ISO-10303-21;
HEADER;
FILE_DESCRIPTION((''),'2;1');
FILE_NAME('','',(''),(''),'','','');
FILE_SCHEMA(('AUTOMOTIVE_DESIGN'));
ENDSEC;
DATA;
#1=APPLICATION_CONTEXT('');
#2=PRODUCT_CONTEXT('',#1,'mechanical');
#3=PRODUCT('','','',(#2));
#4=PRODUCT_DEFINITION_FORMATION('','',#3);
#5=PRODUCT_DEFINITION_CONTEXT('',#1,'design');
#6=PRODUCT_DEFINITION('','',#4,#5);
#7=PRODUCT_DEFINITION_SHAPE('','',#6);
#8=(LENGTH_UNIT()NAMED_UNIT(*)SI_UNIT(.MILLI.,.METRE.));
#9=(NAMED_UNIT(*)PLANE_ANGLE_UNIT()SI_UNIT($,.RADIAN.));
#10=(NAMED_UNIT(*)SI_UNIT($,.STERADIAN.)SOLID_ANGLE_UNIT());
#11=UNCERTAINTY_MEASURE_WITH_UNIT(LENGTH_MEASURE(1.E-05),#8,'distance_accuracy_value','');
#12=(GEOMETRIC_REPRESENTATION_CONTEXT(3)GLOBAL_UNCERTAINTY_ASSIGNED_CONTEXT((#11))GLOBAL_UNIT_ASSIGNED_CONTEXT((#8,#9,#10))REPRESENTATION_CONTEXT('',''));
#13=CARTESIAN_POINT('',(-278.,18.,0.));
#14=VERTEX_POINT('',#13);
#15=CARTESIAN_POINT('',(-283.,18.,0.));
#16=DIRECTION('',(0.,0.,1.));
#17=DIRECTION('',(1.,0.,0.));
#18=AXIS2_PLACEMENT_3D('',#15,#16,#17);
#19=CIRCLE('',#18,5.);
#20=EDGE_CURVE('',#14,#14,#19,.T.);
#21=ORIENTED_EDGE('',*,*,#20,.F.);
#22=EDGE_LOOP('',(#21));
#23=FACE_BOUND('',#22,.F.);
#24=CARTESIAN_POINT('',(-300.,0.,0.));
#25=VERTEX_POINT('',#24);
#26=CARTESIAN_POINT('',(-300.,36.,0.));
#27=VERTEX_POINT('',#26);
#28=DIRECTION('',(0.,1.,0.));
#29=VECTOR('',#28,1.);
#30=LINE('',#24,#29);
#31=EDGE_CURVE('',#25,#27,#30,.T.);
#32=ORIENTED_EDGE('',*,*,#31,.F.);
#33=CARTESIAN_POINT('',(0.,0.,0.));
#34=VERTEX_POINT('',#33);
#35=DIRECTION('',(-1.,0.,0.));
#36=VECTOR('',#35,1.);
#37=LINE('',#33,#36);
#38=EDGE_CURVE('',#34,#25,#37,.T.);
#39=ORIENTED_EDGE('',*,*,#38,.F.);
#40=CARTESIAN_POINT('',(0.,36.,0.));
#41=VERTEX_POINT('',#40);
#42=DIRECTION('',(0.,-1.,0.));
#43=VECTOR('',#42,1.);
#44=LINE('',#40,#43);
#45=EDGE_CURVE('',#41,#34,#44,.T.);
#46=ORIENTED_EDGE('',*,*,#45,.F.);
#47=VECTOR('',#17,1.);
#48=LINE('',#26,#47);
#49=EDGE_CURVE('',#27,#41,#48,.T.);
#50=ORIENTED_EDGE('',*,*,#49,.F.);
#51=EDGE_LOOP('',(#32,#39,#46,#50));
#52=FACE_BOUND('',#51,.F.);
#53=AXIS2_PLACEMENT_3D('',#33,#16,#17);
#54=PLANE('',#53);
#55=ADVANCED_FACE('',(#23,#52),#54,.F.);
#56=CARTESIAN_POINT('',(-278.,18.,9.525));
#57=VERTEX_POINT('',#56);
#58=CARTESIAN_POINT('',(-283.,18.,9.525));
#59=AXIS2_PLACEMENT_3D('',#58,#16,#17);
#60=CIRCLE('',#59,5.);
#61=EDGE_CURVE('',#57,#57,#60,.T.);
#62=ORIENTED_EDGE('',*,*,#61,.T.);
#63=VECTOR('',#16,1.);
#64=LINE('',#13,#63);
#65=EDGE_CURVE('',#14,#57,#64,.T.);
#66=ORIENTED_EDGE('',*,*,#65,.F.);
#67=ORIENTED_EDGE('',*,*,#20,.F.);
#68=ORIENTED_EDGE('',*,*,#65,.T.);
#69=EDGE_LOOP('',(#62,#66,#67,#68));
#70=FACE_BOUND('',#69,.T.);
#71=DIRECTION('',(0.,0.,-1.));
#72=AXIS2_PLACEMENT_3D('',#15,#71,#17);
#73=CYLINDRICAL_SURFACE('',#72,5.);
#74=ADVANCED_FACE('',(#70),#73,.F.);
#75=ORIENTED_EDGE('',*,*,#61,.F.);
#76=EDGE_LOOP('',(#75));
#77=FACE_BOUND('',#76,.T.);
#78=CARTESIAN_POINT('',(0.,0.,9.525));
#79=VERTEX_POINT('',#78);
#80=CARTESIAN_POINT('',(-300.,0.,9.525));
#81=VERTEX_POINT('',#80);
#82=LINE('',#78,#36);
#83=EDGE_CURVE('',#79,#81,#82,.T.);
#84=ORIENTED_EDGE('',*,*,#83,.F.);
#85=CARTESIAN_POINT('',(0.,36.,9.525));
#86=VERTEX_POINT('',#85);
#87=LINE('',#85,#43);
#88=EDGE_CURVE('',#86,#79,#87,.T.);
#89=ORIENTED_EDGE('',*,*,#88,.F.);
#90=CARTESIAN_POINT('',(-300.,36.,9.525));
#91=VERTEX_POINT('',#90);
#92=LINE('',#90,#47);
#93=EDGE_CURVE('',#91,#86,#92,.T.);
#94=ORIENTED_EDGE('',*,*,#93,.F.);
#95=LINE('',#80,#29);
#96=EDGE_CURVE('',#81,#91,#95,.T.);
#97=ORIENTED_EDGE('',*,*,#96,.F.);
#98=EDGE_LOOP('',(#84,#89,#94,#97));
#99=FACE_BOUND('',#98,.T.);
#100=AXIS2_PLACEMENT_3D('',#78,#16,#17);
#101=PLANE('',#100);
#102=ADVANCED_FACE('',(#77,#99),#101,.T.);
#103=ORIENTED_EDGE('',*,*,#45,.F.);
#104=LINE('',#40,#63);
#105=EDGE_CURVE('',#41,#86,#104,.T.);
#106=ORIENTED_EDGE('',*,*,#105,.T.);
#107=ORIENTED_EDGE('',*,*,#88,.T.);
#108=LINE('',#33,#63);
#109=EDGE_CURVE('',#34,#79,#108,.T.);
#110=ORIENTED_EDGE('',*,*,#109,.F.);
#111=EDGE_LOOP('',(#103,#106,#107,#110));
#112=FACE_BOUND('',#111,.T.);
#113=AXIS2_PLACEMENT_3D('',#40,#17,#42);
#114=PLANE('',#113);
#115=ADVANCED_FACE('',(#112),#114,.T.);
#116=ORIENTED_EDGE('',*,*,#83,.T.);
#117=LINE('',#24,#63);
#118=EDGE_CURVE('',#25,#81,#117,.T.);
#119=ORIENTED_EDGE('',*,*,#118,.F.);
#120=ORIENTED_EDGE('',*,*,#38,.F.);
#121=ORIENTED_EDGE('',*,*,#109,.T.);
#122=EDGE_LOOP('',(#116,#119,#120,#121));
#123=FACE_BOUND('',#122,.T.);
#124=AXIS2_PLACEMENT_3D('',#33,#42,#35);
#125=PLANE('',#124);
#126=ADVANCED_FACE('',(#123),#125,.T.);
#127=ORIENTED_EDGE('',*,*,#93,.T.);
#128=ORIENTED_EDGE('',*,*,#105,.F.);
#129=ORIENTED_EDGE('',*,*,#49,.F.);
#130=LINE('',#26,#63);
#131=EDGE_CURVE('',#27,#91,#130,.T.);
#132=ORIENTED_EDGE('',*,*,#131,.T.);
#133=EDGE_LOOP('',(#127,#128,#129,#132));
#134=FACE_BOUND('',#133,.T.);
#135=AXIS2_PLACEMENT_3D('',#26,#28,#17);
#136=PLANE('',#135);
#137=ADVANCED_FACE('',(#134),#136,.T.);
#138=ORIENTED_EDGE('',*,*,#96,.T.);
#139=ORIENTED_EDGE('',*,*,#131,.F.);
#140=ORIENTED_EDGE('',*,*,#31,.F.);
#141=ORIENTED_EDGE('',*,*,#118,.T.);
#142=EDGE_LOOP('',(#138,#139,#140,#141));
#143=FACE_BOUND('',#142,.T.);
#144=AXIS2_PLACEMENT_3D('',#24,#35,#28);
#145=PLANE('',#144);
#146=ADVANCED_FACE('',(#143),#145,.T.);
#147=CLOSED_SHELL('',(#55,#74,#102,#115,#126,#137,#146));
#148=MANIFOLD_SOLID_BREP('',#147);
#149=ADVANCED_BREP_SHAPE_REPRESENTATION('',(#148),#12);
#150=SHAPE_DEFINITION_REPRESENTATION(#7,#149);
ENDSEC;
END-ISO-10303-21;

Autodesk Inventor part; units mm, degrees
ref_plane "YZ Plane" through (0, 0, 0) normal (1, 0, 0) x (0, 1, 0)
ref_plane "XZ Plane" through (0, 0, 0) normal (0, 1, 0) x (-1, 0, 0)
ref_plane "XY Plane" through (0, 0, 0) normal (0, 0, 1) x (1, 0, 0)
sketch "Sketch1" plane through (0, 0, 0) normal (0, 0, 1) x (1, 0, 0)
  line L0 (0, 0) -> (-300, 0)
  line L1 (-300, 0) -> (-300, 36)
  line L2 (-300, 36) -> (0, 36)
  line L3 (0, 36) -> (0, 0)
  circle A0 centre (-283, 18) radius 5
  dimension "d0" = 300
  dimension "d1" = 36
  dimension "d2" = 10
  dimension "d3" = 17
  dimension "d4" = 18
extrude "Extrusion1" add sketch "Sketch1" along normal blind 9.525
properties part number "handle" material "Steel, Mild"
